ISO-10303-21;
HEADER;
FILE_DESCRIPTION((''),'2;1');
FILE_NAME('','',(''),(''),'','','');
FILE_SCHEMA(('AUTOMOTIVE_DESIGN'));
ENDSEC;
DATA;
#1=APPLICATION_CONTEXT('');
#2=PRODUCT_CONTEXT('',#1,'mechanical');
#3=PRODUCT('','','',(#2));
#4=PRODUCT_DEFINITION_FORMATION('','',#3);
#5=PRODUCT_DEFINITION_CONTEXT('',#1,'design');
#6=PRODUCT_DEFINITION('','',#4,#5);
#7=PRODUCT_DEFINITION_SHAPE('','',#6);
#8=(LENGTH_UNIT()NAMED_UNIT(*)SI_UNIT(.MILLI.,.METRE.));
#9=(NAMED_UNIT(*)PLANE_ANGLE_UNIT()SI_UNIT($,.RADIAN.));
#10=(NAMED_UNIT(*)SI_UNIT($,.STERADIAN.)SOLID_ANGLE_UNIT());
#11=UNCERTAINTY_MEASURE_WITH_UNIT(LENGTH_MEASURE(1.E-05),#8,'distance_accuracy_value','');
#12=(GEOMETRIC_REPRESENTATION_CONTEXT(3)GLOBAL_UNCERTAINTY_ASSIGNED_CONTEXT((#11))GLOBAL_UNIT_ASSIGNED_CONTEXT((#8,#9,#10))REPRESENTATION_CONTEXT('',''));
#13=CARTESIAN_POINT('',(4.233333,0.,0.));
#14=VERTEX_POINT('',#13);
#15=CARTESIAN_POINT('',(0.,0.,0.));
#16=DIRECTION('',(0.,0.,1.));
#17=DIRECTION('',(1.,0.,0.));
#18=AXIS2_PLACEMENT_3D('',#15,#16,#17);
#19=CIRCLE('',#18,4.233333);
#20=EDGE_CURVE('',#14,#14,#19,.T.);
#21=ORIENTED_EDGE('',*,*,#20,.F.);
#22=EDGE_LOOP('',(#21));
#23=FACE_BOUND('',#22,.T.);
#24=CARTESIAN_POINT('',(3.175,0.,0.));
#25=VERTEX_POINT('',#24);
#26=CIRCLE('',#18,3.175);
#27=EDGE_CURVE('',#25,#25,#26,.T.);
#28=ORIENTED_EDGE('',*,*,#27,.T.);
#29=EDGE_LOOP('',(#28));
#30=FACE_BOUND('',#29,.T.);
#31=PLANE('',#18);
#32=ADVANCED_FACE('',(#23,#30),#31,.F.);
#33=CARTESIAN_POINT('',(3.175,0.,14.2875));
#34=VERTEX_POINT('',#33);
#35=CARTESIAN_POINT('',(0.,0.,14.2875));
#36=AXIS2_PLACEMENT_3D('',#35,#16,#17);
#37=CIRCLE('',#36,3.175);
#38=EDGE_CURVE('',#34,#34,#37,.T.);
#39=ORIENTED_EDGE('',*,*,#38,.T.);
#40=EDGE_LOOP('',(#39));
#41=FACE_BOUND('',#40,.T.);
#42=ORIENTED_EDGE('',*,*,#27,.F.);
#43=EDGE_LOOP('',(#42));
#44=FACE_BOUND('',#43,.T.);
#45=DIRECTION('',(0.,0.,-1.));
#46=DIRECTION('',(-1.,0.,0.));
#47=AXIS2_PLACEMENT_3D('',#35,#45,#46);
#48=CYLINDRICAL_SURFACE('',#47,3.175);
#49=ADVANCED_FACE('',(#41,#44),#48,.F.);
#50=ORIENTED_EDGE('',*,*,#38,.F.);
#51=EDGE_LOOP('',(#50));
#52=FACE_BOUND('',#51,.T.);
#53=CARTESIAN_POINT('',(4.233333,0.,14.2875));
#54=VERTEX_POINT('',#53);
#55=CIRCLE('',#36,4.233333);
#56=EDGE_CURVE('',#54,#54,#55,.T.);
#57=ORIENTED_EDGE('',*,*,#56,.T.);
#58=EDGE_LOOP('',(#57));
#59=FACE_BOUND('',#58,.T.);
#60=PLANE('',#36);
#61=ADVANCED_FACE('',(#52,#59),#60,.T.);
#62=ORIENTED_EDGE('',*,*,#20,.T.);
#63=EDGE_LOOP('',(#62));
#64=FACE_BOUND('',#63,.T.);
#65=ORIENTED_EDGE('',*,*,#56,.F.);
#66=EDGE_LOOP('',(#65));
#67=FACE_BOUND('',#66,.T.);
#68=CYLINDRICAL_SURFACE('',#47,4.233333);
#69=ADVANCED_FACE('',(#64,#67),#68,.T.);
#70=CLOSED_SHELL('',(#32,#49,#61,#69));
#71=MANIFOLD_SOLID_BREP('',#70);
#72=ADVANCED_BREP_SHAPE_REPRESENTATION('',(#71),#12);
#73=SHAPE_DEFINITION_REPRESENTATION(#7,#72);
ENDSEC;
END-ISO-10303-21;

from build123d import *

# Parameters (mm, degrees)
SKETCH1_R           = 4.233333333
SKETCH1_R_2         = 3.175
BOSS_EXTRUDE1_DEPTH = 14.2875


with BuildPart() as part:
    # Sketch1 → Boss-Extrude1 (new body)
    with BuildSketch(Plane.XY):
        Circle(SKETCH1_R)
        Circle(SKETCH1_R_2, mode=Mode.SUBTRACT)
    extrude(amount=BOSS_EXTRUDE1_DEPTH)


solid = part.part
